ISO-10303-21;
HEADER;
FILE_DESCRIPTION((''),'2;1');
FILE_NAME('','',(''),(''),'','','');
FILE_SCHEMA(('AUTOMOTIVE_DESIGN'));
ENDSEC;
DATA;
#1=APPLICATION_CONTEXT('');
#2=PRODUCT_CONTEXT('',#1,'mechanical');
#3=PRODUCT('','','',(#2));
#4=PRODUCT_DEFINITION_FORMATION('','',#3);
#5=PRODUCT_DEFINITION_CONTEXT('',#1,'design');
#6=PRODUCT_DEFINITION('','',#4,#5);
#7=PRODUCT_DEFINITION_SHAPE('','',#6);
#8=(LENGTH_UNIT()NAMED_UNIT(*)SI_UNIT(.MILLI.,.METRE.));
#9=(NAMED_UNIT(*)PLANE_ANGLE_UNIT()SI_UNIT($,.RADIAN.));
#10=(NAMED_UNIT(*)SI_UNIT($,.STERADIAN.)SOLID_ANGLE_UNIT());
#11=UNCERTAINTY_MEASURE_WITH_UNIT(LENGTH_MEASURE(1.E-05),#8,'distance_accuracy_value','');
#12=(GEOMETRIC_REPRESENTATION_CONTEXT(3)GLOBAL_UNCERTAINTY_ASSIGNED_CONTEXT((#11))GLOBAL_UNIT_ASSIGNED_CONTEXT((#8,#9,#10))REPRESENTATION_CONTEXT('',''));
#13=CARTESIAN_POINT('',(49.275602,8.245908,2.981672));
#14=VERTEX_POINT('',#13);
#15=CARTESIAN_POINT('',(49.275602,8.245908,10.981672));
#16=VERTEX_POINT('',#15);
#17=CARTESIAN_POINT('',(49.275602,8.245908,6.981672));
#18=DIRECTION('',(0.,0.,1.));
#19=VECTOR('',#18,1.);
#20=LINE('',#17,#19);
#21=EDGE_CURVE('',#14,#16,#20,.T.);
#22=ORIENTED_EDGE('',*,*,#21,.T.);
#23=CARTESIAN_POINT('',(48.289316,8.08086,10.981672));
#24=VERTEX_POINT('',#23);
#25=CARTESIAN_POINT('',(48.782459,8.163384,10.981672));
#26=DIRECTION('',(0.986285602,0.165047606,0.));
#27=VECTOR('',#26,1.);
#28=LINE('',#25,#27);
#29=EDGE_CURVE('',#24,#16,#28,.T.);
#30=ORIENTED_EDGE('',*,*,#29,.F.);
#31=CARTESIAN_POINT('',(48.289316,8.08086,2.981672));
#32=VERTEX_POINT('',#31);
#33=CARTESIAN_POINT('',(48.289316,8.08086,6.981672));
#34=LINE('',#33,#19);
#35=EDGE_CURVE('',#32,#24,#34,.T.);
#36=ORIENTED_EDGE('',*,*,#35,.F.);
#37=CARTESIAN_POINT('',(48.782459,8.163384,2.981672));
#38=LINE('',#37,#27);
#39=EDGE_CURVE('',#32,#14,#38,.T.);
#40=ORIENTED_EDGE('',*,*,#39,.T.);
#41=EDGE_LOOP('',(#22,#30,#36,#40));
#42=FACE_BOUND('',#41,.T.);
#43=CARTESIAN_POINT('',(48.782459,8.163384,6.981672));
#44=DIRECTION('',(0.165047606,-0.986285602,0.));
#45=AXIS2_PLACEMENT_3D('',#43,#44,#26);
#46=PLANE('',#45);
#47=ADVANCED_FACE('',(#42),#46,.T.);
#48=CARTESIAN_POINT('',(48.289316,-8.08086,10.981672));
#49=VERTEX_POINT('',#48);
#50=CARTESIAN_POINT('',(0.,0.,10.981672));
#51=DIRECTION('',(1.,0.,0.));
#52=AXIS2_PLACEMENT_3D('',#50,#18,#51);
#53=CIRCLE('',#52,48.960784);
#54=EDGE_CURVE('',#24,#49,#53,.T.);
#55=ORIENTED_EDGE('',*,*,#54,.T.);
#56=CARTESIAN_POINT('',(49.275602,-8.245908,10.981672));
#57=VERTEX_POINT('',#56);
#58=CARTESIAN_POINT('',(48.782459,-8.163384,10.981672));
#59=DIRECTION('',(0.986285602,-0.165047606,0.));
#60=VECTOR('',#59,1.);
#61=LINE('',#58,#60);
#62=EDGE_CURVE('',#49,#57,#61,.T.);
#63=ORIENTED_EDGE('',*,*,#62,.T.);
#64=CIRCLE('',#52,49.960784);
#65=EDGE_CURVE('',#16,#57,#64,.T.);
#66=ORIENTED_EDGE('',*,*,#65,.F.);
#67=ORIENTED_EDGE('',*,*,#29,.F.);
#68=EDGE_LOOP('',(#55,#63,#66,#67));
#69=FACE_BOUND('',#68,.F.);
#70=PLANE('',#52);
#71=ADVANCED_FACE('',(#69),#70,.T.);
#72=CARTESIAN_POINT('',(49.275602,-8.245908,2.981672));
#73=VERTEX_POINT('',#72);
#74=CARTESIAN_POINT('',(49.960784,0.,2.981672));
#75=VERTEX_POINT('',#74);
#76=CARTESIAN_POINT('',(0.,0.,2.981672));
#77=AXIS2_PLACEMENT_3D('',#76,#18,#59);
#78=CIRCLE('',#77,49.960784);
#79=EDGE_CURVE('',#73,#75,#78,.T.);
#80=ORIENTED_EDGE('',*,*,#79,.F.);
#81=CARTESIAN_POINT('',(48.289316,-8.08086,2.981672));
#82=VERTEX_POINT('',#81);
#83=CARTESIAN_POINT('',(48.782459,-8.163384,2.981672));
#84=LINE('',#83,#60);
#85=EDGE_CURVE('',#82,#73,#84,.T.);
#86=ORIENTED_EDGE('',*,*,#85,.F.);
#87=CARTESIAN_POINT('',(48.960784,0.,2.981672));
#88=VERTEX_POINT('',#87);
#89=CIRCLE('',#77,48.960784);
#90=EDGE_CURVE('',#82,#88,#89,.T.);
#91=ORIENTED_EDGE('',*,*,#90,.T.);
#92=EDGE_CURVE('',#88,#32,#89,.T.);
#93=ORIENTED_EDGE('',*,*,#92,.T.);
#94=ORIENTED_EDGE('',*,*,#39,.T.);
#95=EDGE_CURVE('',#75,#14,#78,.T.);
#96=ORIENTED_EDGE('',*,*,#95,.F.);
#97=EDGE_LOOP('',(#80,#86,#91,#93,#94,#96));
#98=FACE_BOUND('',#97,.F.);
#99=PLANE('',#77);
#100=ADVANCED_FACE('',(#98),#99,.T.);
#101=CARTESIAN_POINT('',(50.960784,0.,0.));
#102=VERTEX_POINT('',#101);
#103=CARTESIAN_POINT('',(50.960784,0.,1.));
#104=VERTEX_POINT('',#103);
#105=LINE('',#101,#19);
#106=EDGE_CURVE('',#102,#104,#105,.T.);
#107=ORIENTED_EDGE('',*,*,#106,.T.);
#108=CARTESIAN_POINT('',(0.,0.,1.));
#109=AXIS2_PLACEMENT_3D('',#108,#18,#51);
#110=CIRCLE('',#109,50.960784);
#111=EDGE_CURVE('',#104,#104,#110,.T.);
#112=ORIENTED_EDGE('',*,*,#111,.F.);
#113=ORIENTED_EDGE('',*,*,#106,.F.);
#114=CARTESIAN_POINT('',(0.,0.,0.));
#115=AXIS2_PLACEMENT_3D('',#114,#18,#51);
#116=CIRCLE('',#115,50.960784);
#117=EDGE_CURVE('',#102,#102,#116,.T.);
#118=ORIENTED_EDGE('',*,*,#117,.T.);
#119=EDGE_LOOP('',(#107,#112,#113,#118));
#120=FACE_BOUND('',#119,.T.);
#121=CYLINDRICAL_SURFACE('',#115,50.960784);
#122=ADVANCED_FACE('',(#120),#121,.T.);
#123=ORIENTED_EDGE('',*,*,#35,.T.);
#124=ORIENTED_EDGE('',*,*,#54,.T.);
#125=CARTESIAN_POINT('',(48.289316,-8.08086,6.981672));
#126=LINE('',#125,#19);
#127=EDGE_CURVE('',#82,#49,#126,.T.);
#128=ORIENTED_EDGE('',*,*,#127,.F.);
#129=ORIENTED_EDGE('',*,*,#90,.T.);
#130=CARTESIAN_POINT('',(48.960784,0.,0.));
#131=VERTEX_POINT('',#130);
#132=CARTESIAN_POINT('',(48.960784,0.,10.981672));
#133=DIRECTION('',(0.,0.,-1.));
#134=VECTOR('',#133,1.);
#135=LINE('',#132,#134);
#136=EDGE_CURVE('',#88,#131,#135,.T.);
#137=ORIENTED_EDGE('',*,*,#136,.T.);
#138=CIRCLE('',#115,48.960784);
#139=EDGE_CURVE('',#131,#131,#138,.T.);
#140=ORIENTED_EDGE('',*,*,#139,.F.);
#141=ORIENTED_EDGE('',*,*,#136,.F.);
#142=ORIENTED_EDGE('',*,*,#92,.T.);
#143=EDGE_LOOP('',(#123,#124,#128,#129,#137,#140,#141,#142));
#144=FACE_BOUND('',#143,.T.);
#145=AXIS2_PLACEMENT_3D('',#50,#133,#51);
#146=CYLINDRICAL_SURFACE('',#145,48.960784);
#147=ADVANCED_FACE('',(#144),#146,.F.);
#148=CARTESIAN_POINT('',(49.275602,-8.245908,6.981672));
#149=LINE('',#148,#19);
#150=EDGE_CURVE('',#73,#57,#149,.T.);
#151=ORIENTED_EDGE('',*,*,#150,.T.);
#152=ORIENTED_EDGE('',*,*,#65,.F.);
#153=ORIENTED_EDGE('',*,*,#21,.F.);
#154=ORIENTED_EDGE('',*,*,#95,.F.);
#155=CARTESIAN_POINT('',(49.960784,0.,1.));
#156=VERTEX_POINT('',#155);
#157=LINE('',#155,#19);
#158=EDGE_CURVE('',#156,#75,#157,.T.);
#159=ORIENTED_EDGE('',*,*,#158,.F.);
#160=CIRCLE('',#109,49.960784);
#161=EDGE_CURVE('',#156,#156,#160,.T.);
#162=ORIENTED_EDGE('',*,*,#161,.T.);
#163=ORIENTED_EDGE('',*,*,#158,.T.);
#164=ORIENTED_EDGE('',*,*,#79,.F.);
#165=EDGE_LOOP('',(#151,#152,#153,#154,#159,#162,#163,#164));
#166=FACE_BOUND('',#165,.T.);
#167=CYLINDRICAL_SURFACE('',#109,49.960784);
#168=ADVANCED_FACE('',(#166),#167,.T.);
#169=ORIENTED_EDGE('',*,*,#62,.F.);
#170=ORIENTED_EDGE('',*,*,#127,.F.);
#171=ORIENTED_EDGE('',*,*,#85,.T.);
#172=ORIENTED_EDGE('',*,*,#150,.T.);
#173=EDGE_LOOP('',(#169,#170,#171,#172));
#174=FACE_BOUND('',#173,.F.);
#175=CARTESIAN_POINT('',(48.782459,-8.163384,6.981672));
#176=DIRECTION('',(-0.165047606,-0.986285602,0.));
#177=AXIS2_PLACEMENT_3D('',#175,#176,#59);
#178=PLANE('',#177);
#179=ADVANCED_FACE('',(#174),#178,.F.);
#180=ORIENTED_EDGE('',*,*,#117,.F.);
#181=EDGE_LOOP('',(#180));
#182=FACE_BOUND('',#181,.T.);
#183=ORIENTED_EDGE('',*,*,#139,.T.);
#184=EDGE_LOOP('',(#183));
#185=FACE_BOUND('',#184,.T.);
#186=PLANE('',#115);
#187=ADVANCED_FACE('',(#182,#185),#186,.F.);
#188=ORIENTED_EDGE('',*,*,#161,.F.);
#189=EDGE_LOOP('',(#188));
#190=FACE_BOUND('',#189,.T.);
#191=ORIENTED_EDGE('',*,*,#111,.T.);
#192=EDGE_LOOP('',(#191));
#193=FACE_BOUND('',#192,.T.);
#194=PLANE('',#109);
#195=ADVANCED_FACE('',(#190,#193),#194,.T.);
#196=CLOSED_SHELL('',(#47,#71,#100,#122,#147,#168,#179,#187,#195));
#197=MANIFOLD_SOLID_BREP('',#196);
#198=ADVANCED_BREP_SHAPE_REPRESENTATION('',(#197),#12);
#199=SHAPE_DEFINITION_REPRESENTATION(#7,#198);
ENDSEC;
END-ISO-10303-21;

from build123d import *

# Parameters (mm, degrees)
F0_W          = 1
F0_H          = 8
F2_ANGLE_BACK = 9.5
F2_ANGLE      = 19


with BuildPart() as f1:
    # F0 (on Front) → F1 (revolve)
    with BuildSketch(Plane.XZ):
        Polygon((48.960784, 2.9816715978), (48.960784, 0), (50.960784, 0), (50.960784, 1), (49.960784, 1), (49.960784, 2.9816715978), align=None)
        with Locations((49.460784, 6.9816715978)):
            Rectangle(F0_W, F0_H)
    revolve(axis=Axis((0, 0, 8.8810138404), (0, 0, 1)))

    # F0 (on Front) → F2 (revolve, cut)
    with BuildSketch(Plane.XZ, mode=Mode.PRIVATE) as f2_sk:
        with Locations((49.460784, 6.9816715978)):
            Rectangle(F0_W, F0_H)
    revolve(f2_sk.sketch.rotate(Axis((0, 0, 8.8810138404), (0, 0, 1)), -F2_ANGLE_BACK), axis=Axis((0, 0, 8.8810138404), (0, 0, 1)), revolution_arc=F2_ANGLE, mode=Mode.SUBTRACT)


solid = f1.part
